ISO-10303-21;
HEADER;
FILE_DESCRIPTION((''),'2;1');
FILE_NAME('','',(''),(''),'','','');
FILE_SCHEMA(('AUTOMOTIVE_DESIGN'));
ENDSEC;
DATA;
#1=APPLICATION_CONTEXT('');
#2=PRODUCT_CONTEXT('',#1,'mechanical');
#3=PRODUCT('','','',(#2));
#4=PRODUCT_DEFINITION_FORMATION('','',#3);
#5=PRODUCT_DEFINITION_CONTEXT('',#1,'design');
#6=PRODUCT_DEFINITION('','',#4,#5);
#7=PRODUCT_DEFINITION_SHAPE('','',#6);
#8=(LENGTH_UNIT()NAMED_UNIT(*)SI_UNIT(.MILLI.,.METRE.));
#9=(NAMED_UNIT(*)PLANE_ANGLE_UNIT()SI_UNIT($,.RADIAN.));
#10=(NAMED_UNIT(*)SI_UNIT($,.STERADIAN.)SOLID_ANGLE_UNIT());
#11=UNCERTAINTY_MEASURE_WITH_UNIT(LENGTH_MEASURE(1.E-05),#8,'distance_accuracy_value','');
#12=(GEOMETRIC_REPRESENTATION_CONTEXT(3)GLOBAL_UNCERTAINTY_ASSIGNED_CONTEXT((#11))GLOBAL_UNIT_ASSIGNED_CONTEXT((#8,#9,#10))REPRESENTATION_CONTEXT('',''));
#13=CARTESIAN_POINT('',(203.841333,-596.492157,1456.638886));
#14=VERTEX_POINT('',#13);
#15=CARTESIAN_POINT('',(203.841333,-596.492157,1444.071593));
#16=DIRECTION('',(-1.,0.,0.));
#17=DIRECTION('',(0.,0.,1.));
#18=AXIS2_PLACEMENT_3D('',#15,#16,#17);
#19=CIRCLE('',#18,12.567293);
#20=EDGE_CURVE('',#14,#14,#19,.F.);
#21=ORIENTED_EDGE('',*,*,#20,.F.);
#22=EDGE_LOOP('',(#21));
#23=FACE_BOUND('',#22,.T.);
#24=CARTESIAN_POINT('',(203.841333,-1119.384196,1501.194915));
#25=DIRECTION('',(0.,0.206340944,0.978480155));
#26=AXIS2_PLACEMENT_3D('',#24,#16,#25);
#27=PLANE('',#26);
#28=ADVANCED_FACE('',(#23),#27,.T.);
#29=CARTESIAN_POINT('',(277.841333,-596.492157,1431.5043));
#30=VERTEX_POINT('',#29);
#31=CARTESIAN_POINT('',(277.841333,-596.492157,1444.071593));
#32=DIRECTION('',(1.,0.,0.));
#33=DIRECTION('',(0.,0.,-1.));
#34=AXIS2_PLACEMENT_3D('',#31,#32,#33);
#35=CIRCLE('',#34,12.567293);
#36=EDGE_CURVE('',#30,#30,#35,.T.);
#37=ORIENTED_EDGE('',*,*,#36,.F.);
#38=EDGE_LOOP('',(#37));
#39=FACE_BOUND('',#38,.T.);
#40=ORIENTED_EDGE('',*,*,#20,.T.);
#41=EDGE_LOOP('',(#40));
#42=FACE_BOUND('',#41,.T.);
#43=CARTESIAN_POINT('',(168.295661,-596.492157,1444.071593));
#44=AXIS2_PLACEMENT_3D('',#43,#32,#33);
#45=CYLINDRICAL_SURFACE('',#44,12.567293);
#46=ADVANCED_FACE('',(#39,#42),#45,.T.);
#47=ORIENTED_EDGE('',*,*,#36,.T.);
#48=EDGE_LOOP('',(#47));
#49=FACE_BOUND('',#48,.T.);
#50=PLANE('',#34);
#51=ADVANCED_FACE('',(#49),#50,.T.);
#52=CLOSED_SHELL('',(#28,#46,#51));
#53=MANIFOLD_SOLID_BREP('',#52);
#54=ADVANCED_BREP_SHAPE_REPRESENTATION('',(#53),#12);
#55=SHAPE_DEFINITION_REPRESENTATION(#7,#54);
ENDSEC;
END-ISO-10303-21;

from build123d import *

# Parameters (mm, degrees)
SKETCH_1_R      = 12.567292718
EXTRUDE_1_DEPTH = 74


with BuildPart() as part:
    # 草图1 → 凸台-拉伸1 (new body)
    with BuildSketch(Plane(origin=(277.841332811, 0, 0), x_dir=(0, 0, -1), z_dir=(1, 0, 0))):
        with Locations((-1444.071593016, -596.492156935)):
            Circle(SKETCH_1_R)
    extrude(amount=-EXTRUDE_1_DEPTH)


solid = part.part
